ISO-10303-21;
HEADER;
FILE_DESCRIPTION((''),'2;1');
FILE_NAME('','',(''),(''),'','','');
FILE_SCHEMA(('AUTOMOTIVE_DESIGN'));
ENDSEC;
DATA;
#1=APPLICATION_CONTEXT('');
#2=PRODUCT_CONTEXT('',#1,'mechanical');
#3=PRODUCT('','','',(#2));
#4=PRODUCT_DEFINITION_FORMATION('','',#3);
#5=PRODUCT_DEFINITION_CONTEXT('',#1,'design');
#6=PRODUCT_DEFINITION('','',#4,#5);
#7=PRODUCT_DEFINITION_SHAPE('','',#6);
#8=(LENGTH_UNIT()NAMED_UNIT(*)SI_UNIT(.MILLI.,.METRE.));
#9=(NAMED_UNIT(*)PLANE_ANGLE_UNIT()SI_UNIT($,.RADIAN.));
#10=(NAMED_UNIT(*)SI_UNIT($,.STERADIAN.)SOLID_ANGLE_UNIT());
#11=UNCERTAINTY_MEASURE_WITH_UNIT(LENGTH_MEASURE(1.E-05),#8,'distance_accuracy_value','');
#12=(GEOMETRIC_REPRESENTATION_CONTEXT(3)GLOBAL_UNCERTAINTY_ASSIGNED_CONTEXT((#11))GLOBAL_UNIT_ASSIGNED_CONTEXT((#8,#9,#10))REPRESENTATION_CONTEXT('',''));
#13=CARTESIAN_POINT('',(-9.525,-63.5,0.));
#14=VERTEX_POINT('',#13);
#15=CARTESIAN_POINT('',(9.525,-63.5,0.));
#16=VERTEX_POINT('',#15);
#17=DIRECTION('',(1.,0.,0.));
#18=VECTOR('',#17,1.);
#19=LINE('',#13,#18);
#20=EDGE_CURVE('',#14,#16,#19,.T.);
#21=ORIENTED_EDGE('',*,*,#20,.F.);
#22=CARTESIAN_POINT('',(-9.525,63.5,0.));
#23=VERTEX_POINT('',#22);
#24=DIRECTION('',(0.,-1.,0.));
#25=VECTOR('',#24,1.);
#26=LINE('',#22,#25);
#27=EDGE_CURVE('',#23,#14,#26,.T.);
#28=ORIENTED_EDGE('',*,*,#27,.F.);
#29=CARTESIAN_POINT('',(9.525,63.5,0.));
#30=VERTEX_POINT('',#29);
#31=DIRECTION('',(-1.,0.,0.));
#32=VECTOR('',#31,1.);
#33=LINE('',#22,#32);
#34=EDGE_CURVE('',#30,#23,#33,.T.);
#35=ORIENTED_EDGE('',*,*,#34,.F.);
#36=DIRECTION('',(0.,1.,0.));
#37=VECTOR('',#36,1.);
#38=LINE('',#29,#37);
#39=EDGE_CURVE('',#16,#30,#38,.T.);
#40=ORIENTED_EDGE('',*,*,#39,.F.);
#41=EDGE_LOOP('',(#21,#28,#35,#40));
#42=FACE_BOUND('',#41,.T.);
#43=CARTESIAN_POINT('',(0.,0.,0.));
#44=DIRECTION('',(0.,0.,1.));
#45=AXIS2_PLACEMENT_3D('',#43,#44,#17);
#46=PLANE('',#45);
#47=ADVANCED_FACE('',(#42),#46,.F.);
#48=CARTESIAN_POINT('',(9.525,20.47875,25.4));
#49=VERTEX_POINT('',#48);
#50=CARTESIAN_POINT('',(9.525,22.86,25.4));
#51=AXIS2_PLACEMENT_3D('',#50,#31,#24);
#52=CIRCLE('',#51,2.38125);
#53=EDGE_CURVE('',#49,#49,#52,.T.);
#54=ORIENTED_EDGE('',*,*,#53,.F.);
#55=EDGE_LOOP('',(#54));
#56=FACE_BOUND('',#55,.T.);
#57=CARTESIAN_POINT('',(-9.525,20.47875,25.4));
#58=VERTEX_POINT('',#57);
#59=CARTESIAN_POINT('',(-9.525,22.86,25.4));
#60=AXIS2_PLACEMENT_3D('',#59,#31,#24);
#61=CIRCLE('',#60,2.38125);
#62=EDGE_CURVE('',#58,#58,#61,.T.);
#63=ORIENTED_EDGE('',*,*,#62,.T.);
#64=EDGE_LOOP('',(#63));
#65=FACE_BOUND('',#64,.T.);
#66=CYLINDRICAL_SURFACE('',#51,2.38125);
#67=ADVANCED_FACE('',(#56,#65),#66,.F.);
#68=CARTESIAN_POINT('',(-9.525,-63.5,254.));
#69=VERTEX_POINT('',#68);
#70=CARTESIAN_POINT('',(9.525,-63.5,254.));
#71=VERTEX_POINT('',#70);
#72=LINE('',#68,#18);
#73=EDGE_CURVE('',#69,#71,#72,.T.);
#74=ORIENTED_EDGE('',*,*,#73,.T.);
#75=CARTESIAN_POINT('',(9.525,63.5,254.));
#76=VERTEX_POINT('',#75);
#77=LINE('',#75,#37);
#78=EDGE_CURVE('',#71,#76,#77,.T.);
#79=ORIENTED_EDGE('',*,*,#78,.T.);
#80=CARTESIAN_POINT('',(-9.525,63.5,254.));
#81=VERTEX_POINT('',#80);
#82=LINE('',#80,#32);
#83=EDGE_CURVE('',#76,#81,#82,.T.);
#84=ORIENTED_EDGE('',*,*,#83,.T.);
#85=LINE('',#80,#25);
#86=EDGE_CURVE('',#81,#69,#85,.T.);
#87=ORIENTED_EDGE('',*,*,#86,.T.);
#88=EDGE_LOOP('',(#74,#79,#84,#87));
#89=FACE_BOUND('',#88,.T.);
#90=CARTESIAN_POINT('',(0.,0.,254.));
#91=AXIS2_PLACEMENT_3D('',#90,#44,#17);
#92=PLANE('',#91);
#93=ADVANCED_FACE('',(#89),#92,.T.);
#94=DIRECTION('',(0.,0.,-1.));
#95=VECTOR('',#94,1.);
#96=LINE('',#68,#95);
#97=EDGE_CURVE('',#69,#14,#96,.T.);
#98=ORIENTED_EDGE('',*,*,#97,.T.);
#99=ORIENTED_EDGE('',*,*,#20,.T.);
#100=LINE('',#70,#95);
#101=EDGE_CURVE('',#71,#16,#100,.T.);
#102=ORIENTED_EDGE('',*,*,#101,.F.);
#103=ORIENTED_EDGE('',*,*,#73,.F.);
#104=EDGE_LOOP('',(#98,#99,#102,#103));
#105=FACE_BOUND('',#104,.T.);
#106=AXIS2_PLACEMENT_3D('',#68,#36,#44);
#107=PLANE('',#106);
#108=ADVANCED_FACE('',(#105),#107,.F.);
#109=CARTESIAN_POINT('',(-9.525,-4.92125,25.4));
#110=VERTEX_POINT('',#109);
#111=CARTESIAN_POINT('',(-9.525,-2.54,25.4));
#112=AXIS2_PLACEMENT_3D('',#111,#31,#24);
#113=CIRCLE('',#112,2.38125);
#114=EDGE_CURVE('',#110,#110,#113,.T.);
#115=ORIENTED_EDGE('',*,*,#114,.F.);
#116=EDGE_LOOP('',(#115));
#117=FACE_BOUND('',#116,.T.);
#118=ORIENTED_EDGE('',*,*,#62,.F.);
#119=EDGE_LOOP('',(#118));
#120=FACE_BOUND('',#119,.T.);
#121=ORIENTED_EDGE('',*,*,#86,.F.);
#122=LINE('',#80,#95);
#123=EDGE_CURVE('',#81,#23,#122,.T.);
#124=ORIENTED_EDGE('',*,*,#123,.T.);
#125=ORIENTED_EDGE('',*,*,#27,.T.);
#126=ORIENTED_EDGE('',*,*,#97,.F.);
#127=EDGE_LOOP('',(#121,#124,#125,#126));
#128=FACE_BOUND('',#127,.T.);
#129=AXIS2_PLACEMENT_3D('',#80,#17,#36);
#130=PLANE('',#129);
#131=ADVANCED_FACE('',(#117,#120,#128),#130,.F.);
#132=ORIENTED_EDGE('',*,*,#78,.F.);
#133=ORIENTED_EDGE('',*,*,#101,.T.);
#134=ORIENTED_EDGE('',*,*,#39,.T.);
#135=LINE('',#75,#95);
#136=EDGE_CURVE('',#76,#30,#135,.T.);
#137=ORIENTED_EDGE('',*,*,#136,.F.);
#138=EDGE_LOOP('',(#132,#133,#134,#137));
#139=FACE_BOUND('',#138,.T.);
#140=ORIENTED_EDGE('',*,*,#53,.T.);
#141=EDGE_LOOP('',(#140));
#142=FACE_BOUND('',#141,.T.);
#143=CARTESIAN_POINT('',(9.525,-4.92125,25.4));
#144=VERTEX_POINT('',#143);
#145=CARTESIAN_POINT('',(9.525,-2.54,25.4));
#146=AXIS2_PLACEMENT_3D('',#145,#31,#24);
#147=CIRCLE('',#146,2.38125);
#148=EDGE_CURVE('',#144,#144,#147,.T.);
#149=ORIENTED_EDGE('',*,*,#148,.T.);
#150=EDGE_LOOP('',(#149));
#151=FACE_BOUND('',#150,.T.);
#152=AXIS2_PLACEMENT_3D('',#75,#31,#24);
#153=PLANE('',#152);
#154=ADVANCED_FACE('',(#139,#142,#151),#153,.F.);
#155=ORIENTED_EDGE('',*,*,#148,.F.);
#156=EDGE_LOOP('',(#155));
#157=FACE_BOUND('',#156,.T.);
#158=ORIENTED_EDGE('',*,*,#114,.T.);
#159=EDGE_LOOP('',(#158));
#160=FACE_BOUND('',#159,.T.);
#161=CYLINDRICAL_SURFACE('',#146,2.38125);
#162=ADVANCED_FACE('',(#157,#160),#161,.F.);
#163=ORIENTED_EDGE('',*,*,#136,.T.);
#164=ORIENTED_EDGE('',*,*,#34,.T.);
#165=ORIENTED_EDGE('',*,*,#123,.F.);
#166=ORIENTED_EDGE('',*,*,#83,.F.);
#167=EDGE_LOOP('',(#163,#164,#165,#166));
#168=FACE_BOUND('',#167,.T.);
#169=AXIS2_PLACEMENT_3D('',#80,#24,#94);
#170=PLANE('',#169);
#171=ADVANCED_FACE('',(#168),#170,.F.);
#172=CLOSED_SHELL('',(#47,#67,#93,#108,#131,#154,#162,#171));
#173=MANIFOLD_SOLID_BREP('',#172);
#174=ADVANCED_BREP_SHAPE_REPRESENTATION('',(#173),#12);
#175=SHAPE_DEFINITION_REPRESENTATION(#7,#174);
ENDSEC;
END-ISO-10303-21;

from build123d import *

# Parameters (mm, degrees)
SKETCH1_W           = 19.05
SKETCH1_H           = 127
BOSS_EXTRUDE1_DEPTH = 254
SKETCH2_R           = 2.38125
CUT_EXTRUDE1_DEPTH  = 263.509337929


with BuildPart() as part:
    # Sketch1 → Boss-Extrude1 (new body)
    with BuildSketch(Plane.XY):
        Rectangle(SKETCH1_W, SKETCH1_H)
    extrude(amount=BOSS_EXTRUDE1_DEPTH)

    # Sketch2 → Cut-Extrude1 (cut, through all)
    with BuildSketch(Plane.ZY.offset(9.525)):
        with Locations(Location((25.4, 22.86, 0), (0, 0, 270))):
            Circle(SKETCH2_R)
        with Locations(Location((25.4, -2.54, 0), (0, 0, 270))):
            Circle(SKETCH2_R)
    extrude(amount=-CUT_EXTRUDE1_DEPTH, mode=Mode.SUBTRACT)


solid = part.part
